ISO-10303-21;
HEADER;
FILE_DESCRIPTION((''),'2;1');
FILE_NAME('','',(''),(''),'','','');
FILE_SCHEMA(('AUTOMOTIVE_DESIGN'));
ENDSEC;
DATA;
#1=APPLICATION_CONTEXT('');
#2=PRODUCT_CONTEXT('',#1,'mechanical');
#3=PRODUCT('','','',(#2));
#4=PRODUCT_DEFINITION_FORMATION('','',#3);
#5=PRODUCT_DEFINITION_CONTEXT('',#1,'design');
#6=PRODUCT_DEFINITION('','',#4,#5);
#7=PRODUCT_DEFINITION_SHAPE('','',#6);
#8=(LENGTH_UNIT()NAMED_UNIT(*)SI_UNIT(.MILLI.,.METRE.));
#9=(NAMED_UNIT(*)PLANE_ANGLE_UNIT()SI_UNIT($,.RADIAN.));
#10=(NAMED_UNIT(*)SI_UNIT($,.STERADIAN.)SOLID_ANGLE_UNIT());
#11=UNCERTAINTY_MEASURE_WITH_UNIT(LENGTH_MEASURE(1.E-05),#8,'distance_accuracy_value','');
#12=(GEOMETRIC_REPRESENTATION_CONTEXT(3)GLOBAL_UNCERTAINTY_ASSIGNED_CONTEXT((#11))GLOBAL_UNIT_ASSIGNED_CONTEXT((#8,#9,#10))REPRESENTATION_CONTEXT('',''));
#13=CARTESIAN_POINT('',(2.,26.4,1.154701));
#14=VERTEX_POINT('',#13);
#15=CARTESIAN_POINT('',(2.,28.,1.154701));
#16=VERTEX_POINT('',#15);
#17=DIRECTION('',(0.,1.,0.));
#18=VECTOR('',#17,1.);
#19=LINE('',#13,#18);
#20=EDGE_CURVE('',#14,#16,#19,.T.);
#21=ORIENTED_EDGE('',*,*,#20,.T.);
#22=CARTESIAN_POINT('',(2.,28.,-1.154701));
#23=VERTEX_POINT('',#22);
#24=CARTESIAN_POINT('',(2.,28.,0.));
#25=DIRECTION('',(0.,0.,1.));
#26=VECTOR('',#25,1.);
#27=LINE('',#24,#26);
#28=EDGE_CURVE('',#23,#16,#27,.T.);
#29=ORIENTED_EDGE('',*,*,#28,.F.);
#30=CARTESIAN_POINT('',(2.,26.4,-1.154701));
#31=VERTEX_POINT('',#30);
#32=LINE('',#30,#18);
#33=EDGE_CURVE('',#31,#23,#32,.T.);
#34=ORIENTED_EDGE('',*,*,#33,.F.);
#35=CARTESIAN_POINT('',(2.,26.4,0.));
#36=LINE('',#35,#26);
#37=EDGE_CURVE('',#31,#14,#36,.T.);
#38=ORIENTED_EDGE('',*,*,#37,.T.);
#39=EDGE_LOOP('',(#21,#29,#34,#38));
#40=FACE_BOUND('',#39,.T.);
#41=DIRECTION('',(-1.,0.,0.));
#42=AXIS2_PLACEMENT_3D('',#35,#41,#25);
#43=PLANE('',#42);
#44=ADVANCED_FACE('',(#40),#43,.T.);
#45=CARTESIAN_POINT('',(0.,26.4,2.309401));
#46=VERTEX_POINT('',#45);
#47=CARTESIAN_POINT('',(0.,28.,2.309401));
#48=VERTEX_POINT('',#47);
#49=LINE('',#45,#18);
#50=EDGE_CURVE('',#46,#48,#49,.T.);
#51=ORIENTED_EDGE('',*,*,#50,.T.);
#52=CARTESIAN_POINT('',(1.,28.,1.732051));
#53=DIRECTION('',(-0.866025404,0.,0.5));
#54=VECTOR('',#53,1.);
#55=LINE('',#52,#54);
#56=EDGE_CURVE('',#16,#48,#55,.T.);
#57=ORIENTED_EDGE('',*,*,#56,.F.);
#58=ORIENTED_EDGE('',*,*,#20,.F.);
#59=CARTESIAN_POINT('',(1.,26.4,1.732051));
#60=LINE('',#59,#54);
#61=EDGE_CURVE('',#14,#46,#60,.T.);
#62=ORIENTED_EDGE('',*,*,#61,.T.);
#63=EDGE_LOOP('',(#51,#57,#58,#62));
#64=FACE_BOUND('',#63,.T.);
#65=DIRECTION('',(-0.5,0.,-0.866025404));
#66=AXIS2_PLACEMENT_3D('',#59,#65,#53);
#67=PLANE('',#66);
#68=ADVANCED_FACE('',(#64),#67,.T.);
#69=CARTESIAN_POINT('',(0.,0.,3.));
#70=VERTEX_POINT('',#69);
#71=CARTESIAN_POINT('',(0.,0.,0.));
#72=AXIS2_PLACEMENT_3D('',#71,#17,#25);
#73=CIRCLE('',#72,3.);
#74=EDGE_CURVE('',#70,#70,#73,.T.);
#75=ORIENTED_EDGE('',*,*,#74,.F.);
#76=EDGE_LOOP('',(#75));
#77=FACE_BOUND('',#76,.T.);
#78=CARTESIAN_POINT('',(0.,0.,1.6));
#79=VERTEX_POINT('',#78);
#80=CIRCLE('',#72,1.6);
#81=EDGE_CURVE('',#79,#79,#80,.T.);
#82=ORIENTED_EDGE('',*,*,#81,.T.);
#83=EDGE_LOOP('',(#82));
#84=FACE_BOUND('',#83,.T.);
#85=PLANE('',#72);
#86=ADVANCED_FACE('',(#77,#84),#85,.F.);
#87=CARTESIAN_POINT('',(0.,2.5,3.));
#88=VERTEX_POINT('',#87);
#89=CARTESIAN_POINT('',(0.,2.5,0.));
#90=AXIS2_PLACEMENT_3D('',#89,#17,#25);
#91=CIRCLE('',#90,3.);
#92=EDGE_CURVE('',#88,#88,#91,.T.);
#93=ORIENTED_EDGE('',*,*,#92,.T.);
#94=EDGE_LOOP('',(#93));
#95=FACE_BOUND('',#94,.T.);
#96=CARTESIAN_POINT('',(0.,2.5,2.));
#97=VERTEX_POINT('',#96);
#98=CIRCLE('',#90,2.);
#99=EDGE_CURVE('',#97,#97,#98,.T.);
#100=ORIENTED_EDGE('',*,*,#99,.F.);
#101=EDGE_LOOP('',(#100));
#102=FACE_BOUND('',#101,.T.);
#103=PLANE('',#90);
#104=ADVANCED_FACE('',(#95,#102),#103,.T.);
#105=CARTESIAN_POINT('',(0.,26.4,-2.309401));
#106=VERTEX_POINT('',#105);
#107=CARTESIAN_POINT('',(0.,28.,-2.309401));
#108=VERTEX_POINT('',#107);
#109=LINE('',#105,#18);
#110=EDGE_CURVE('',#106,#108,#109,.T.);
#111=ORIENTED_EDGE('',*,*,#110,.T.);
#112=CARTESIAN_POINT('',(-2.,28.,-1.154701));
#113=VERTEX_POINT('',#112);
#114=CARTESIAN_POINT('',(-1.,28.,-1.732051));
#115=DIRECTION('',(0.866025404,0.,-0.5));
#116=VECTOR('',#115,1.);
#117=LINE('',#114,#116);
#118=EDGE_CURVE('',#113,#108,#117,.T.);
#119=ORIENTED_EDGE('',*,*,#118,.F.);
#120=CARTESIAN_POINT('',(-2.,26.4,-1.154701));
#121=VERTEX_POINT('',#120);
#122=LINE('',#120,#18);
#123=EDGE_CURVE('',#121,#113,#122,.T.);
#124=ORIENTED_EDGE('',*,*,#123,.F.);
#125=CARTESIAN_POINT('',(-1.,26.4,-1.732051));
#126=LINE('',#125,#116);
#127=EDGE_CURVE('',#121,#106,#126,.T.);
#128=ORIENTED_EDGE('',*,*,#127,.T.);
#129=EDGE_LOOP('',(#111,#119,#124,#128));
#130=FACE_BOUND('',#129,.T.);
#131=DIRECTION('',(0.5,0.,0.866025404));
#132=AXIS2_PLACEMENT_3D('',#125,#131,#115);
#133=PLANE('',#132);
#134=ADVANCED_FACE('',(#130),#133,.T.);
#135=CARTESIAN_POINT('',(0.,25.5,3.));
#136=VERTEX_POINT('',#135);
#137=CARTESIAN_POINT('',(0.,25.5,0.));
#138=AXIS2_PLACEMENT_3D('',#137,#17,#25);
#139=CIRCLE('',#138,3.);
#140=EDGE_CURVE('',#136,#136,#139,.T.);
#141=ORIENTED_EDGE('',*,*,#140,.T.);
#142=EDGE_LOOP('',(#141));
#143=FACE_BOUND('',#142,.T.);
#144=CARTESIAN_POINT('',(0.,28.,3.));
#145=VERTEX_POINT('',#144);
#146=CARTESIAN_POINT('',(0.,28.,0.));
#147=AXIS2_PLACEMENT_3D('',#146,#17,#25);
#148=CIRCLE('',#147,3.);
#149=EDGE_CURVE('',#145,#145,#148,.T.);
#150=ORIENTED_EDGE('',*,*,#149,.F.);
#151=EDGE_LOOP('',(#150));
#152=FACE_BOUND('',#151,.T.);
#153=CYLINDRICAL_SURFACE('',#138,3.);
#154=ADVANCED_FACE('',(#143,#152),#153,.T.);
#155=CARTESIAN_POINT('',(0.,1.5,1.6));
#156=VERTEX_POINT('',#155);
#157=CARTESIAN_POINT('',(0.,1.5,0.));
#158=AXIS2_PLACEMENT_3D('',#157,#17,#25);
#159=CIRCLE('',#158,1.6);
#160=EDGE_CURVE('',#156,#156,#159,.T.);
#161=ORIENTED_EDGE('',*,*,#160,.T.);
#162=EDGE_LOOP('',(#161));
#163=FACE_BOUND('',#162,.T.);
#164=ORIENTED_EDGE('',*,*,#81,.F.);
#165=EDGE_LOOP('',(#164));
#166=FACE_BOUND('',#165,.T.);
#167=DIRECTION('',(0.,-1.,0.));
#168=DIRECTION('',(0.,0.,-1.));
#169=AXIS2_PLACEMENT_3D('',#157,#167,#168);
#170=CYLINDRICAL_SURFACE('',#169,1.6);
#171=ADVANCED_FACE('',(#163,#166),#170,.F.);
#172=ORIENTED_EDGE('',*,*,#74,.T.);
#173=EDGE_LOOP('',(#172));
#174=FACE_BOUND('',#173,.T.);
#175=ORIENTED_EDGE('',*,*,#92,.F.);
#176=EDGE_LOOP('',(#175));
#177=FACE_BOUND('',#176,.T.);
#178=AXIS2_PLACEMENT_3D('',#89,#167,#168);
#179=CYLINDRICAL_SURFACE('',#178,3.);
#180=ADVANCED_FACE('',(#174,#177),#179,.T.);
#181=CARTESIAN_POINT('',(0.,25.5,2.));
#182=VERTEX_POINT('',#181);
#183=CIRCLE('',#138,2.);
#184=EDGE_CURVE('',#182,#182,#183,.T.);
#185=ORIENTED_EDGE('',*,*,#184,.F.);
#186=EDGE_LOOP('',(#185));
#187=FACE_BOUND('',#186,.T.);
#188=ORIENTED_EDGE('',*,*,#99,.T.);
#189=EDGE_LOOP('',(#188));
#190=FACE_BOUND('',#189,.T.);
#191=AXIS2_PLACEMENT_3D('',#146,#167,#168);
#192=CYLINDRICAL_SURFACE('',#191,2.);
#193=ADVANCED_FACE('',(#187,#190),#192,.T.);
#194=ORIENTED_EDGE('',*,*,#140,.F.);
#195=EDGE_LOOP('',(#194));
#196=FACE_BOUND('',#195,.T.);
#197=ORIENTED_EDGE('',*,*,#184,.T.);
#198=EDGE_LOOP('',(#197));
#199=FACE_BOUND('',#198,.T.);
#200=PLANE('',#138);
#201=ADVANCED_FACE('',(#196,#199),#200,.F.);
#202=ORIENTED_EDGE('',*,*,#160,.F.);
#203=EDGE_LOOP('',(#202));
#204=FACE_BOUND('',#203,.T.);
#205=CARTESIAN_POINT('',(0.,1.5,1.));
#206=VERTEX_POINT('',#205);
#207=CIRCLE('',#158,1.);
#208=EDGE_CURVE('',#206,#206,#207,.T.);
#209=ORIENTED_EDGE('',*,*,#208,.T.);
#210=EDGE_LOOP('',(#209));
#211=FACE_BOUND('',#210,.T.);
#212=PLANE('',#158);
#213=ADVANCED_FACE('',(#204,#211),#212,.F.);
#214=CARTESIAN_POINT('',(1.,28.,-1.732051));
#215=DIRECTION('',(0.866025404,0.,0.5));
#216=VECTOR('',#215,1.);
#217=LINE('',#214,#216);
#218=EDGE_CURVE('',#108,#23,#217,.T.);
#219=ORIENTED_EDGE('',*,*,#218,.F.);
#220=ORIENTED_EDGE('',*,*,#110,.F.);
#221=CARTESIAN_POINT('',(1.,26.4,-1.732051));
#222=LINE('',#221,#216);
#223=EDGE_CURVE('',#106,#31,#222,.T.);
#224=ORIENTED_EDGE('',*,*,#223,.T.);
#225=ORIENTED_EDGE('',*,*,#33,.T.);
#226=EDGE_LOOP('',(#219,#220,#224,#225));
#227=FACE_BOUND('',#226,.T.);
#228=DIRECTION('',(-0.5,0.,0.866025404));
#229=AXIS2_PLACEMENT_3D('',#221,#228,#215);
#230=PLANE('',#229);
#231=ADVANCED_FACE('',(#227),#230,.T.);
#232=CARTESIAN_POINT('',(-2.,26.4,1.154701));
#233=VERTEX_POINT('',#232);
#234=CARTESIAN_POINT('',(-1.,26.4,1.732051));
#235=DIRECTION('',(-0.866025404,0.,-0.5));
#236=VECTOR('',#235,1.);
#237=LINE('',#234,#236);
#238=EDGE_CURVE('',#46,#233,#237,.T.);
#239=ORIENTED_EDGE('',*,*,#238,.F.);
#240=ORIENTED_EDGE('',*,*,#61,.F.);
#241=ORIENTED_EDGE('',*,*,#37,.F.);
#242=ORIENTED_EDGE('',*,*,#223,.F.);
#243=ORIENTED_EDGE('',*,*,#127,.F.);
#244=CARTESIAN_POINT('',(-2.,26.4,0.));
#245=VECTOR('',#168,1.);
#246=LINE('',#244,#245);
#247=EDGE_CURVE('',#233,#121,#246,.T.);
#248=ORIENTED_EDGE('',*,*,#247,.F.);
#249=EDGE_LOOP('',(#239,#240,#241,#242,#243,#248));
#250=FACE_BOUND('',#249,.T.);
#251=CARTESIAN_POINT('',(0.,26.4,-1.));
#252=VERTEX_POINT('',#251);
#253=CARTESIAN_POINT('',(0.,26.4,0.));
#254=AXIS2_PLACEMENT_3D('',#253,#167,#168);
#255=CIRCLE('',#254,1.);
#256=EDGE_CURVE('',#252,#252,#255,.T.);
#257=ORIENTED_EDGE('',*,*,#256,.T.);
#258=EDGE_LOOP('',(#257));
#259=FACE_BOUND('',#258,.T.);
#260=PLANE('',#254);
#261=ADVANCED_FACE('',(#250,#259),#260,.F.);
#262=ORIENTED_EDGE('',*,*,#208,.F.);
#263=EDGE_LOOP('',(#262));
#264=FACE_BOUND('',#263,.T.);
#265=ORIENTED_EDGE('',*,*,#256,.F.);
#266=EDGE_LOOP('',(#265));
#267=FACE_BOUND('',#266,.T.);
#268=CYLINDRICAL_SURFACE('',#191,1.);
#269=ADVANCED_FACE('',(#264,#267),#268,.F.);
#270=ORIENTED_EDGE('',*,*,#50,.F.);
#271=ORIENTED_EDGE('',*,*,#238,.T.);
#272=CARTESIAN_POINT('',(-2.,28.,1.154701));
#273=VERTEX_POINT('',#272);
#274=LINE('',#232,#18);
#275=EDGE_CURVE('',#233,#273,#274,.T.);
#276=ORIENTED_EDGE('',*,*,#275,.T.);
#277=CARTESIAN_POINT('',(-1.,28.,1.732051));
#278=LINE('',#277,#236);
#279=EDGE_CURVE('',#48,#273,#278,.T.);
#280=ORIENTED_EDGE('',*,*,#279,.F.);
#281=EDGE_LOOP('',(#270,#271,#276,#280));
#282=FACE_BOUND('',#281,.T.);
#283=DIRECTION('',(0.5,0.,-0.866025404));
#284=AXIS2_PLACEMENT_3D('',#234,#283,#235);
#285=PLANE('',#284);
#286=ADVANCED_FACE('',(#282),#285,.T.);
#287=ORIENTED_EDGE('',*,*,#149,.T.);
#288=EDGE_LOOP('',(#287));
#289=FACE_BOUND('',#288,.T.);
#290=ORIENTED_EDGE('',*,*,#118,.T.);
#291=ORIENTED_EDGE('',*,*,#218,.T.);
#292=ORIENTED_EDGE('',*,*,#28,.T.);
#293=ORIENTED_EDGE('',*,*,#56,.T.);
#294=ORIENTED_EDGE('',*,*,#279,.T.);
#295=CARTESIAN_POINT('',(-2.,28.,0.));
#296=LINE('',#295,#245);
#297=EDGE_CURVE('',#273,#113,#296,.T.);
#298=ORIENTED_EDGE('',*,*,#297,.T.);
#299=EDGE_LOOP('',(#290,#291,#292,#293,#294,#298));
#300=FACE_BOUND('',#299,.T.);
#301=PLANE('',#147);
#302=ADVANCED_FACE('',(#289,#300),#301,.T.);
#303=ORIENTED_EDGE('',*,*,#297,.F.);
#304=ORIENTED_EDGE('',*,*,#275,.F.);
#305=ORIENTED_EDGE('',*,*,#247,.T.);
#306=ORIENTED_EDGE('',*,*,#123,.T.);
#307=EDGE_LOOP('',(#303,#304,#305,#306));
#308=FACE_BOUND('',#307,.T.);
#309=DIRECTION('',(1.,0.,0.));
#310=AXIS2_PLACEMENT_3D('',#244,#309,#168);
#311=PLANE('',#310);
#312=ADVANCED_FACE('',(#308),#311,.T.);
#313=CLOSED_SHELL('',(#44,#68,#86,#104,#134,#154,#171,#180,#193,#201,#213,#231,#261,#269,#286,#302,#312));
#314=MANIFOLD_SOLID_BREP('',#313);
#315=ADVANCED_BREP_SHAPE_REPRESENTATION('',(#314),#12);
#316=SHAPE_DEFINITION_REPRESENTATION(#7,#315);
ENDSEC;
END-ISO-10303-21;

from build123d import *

# Parameters (mm, degrees)
SKETCH_1_R          = 2
SKETCH_1_R_2        = 1
EXTRUDE_1_DEPTH     = 28
SKETCH_2_R          = 3
SKETCH_2_R_2        = 2
EXTRUDE_2_DEPTH     = 2.5
EXTRUDE_START       = 25.5
SKETCH_3_R          = 3
SKETCH_3_R_2        = 2
EXTRUDE_3_DEPTH     = 2.5
SKETCH_4_R          = 1.6
CUT_EXTRUDE_1_DEPTH = 1.5
CUT_EXTRUDE_START   = 28
CUT_EXTRUDE_2_DEPTH = 1.6


with BuildPart() as part:
    # 草图1 → 凸台-拉伸1 (new body)
    with BuildSketch(Plane(origin=(0, 0, 0), x_dir=(1, 0, 0), z_dir=(0, 1, 0))):
        with Locations(Location((0, 0, 0), (0, 0, 270))):
            Circle(SKETCH_1_R)
        with Locations(Location((0, 0, 0), (0, 0, 270))):
            Circle(SKETCH_1_R_2, mode=Mode.SUBTRACT)
    extrude(amount=EXTRUDE_1_DEPTH)

    # 草图2 → 凸台-拉伸2 (add)
    with BuildSketch(Plane(origin=(0, 0, 0), x_dir=(1, 0, 0), z_dir=(0, 1, 0))):
        with Locations(Location((0, 0, 0), (0, 0, 270))):
            Circle(SKETCH_2_R)
        with Locations(Location((0, 0, 0), (0, 0, 270))):
            Circle(SKETCH_2_R_2, mode=Mode.SUBTRACT)
    extrude(amount=EXTRUDE_2_DEPTH)

    # 草图3 → 凸台-拉伸3 (add)
    with BuildSketch(Plane(origin=(0, 0, 0), x_dir=(1, 0, 0), z_dir=(0, 1, 0)).offset(EXTRUDE_START)):
        with Locations(Location((0, 0, 0), (0, 0, 270))):
            Circle(SKETCH_3_R)
        with Locations(Location((0, 0, 0), (0, 0, 270))):
            Circle(SKETCH_3_R_2, mode=Mode.SUBTRACT)
    extrude(amount=EXTRUDE_3_DEPTH)

    # 草图4 → 切除-拉伸1 (cut)
    with BuildSketch(Plane(origin=(0, 0, 0), x_dir=(1, 0, 0), z_dir=(0, 1, 0))):
        with Locations(Location((0, 0, 0), (0, 0, 270))):
            Circle(SKETCH_4_R)
    extrude(amount=CUT_EXTRUDE_1_DEPTH, mode=Mode.SUBTRACT)

    # 草图5 → 切除-拉伸2 (cut)
    with BuildSketch(Plane(origin=(0, 0, 0), x_dir=(1, 0, 0), z_dir=(0, 1, 0)).offset(CUT_EXTRUDE_START)):
        Polygon((0, -2.309401077), (2, -1.154700538), (2, 1.154700538), (0, 2.309401077), (-2, 1.154700538), (-2, -1.154700538), align=None)
    extrude(amount=-CUT_EXTRUDE_2_DEPTH, mode=Mode.SUBTRACT)


solid = part.part
